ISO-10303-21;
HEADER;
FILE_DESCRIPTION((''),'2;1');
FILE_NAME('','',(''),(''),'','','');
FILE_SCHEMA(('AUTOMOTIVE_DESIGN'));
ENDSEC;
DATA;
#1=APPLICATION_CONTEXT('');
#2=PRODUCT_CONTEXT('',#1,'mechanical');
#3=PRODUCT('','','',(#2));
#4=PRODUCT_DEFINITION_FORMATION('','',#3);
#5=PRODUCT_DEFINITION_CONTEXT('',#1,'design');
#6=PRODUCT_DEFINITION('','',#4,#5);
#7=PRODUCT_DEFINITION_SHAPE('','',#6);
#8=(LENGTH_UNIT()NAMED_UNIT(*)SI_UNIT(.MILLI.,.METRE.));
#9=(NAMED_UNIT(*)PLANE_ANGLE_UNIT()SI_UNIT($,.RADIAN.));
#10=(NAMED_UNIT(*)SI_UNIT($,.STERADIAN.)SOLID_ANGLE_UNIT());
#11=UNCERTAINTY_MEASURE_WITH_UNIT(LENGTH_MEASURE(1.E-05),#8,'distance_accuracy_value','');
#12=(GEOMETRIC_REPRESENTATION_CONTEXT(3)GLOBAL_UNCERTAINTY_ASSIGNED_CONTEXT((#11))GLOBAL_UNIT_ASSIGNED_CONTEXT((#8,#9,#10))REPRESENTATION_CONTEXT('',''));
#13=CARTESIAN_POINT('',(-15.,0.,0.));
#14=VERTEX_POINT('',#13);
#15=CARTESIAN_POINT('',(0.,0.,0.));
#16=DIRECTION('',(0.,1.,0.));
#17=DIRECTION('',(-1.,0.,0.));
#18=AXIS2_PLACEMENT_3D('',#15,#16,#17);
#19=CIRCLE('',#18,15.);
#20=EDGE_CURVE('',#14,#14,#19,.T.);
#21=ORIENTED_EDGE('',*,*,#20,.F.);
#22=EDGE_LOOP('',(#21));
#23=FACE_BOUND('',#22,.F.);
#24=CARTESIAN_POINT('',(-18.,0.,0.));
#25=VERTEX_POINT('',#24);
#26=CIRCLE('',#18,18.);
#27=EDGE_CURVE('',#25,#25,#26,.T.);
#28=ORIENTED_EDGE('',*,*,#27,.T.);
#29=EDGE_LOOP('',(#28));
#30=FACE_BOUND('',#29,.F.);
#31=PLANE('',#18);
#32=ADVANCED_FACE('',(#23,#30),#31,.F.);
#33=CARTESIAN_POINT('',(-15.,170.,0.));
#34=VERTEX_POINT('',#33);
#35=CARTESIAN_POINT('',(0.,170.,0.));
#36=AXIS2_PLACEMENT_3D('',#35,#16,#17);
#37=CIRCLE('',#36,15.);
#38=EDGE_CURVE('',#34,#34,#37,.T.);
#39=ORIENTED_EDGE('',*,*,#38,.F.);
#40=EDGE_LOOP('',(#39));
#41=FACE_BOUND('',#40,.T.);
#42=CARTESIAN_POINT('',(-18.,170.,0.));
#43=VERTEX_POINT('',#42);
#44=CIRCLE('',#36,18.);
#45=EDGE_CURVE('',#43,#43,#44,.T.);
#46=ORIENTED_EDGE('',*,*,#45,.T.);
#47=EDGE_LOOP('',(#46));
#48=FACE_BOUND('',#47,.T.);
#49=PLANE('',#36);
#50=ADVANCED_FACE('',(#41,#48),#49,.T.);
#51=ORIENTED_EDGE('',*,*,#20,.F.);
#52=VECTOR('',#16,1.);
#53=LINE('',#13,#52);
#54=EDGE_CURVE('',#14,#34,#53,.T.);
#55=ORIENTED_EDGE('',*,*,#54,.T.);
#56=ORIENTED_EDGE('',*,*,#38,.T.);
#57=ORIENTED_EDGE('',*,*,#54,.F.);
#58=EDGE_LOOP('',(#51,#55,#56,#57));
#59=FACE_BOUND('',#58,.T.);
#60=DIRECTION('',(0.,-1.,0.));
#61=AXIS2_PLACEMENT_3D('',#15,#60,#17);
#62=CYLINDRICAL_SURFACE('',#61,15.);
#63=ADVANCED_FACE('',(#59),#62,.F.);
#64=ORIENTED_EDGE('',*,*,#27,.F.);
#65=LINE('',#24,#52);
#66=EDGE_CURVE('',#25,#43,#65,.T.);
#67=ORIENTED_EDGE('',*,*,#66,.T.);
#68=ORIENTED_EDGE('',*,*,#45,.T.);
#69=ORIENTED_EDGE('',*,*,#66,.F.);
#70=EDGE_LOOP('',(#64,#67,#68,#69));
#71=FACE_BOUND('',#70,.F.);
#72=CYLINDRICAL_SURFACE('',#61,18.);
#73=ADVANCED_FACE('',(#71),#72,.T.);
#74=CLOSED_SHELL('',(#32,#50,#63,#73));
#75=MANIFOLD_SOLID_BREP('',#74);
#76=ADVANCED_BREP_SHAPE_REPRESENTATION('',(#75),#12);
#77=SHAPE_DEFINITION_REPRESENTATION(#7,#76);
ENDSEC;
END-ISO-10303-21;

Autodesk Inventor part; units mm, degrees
ref_plane "YZ Plane" through (0, 0, 0) normal (1, 0, 0) x (0, 1, 0)
ref_plane "XZ Plane" through (0, 0, 0) normal (0, 1, 0) x (-1, 0, 0)
ref_plane "XY Plane" through (0, 0, 0) normal (0, 0, 1) x (1, 0, 0)
sketch "Esquisse1" plane through (0, 0, 0) normal (0, 1, 0) x (-1, 0, 0)
  circle A0 centre (0, 0) radius 15
  circle A1 centre (0, 0) radius 18
  dimension "d0" = 30
  dimension "d1" = 3
extrude "Extrusion1" add sketch "Esquisse1" along normal blind 170
properties part number "tube-rend-monnaie"
